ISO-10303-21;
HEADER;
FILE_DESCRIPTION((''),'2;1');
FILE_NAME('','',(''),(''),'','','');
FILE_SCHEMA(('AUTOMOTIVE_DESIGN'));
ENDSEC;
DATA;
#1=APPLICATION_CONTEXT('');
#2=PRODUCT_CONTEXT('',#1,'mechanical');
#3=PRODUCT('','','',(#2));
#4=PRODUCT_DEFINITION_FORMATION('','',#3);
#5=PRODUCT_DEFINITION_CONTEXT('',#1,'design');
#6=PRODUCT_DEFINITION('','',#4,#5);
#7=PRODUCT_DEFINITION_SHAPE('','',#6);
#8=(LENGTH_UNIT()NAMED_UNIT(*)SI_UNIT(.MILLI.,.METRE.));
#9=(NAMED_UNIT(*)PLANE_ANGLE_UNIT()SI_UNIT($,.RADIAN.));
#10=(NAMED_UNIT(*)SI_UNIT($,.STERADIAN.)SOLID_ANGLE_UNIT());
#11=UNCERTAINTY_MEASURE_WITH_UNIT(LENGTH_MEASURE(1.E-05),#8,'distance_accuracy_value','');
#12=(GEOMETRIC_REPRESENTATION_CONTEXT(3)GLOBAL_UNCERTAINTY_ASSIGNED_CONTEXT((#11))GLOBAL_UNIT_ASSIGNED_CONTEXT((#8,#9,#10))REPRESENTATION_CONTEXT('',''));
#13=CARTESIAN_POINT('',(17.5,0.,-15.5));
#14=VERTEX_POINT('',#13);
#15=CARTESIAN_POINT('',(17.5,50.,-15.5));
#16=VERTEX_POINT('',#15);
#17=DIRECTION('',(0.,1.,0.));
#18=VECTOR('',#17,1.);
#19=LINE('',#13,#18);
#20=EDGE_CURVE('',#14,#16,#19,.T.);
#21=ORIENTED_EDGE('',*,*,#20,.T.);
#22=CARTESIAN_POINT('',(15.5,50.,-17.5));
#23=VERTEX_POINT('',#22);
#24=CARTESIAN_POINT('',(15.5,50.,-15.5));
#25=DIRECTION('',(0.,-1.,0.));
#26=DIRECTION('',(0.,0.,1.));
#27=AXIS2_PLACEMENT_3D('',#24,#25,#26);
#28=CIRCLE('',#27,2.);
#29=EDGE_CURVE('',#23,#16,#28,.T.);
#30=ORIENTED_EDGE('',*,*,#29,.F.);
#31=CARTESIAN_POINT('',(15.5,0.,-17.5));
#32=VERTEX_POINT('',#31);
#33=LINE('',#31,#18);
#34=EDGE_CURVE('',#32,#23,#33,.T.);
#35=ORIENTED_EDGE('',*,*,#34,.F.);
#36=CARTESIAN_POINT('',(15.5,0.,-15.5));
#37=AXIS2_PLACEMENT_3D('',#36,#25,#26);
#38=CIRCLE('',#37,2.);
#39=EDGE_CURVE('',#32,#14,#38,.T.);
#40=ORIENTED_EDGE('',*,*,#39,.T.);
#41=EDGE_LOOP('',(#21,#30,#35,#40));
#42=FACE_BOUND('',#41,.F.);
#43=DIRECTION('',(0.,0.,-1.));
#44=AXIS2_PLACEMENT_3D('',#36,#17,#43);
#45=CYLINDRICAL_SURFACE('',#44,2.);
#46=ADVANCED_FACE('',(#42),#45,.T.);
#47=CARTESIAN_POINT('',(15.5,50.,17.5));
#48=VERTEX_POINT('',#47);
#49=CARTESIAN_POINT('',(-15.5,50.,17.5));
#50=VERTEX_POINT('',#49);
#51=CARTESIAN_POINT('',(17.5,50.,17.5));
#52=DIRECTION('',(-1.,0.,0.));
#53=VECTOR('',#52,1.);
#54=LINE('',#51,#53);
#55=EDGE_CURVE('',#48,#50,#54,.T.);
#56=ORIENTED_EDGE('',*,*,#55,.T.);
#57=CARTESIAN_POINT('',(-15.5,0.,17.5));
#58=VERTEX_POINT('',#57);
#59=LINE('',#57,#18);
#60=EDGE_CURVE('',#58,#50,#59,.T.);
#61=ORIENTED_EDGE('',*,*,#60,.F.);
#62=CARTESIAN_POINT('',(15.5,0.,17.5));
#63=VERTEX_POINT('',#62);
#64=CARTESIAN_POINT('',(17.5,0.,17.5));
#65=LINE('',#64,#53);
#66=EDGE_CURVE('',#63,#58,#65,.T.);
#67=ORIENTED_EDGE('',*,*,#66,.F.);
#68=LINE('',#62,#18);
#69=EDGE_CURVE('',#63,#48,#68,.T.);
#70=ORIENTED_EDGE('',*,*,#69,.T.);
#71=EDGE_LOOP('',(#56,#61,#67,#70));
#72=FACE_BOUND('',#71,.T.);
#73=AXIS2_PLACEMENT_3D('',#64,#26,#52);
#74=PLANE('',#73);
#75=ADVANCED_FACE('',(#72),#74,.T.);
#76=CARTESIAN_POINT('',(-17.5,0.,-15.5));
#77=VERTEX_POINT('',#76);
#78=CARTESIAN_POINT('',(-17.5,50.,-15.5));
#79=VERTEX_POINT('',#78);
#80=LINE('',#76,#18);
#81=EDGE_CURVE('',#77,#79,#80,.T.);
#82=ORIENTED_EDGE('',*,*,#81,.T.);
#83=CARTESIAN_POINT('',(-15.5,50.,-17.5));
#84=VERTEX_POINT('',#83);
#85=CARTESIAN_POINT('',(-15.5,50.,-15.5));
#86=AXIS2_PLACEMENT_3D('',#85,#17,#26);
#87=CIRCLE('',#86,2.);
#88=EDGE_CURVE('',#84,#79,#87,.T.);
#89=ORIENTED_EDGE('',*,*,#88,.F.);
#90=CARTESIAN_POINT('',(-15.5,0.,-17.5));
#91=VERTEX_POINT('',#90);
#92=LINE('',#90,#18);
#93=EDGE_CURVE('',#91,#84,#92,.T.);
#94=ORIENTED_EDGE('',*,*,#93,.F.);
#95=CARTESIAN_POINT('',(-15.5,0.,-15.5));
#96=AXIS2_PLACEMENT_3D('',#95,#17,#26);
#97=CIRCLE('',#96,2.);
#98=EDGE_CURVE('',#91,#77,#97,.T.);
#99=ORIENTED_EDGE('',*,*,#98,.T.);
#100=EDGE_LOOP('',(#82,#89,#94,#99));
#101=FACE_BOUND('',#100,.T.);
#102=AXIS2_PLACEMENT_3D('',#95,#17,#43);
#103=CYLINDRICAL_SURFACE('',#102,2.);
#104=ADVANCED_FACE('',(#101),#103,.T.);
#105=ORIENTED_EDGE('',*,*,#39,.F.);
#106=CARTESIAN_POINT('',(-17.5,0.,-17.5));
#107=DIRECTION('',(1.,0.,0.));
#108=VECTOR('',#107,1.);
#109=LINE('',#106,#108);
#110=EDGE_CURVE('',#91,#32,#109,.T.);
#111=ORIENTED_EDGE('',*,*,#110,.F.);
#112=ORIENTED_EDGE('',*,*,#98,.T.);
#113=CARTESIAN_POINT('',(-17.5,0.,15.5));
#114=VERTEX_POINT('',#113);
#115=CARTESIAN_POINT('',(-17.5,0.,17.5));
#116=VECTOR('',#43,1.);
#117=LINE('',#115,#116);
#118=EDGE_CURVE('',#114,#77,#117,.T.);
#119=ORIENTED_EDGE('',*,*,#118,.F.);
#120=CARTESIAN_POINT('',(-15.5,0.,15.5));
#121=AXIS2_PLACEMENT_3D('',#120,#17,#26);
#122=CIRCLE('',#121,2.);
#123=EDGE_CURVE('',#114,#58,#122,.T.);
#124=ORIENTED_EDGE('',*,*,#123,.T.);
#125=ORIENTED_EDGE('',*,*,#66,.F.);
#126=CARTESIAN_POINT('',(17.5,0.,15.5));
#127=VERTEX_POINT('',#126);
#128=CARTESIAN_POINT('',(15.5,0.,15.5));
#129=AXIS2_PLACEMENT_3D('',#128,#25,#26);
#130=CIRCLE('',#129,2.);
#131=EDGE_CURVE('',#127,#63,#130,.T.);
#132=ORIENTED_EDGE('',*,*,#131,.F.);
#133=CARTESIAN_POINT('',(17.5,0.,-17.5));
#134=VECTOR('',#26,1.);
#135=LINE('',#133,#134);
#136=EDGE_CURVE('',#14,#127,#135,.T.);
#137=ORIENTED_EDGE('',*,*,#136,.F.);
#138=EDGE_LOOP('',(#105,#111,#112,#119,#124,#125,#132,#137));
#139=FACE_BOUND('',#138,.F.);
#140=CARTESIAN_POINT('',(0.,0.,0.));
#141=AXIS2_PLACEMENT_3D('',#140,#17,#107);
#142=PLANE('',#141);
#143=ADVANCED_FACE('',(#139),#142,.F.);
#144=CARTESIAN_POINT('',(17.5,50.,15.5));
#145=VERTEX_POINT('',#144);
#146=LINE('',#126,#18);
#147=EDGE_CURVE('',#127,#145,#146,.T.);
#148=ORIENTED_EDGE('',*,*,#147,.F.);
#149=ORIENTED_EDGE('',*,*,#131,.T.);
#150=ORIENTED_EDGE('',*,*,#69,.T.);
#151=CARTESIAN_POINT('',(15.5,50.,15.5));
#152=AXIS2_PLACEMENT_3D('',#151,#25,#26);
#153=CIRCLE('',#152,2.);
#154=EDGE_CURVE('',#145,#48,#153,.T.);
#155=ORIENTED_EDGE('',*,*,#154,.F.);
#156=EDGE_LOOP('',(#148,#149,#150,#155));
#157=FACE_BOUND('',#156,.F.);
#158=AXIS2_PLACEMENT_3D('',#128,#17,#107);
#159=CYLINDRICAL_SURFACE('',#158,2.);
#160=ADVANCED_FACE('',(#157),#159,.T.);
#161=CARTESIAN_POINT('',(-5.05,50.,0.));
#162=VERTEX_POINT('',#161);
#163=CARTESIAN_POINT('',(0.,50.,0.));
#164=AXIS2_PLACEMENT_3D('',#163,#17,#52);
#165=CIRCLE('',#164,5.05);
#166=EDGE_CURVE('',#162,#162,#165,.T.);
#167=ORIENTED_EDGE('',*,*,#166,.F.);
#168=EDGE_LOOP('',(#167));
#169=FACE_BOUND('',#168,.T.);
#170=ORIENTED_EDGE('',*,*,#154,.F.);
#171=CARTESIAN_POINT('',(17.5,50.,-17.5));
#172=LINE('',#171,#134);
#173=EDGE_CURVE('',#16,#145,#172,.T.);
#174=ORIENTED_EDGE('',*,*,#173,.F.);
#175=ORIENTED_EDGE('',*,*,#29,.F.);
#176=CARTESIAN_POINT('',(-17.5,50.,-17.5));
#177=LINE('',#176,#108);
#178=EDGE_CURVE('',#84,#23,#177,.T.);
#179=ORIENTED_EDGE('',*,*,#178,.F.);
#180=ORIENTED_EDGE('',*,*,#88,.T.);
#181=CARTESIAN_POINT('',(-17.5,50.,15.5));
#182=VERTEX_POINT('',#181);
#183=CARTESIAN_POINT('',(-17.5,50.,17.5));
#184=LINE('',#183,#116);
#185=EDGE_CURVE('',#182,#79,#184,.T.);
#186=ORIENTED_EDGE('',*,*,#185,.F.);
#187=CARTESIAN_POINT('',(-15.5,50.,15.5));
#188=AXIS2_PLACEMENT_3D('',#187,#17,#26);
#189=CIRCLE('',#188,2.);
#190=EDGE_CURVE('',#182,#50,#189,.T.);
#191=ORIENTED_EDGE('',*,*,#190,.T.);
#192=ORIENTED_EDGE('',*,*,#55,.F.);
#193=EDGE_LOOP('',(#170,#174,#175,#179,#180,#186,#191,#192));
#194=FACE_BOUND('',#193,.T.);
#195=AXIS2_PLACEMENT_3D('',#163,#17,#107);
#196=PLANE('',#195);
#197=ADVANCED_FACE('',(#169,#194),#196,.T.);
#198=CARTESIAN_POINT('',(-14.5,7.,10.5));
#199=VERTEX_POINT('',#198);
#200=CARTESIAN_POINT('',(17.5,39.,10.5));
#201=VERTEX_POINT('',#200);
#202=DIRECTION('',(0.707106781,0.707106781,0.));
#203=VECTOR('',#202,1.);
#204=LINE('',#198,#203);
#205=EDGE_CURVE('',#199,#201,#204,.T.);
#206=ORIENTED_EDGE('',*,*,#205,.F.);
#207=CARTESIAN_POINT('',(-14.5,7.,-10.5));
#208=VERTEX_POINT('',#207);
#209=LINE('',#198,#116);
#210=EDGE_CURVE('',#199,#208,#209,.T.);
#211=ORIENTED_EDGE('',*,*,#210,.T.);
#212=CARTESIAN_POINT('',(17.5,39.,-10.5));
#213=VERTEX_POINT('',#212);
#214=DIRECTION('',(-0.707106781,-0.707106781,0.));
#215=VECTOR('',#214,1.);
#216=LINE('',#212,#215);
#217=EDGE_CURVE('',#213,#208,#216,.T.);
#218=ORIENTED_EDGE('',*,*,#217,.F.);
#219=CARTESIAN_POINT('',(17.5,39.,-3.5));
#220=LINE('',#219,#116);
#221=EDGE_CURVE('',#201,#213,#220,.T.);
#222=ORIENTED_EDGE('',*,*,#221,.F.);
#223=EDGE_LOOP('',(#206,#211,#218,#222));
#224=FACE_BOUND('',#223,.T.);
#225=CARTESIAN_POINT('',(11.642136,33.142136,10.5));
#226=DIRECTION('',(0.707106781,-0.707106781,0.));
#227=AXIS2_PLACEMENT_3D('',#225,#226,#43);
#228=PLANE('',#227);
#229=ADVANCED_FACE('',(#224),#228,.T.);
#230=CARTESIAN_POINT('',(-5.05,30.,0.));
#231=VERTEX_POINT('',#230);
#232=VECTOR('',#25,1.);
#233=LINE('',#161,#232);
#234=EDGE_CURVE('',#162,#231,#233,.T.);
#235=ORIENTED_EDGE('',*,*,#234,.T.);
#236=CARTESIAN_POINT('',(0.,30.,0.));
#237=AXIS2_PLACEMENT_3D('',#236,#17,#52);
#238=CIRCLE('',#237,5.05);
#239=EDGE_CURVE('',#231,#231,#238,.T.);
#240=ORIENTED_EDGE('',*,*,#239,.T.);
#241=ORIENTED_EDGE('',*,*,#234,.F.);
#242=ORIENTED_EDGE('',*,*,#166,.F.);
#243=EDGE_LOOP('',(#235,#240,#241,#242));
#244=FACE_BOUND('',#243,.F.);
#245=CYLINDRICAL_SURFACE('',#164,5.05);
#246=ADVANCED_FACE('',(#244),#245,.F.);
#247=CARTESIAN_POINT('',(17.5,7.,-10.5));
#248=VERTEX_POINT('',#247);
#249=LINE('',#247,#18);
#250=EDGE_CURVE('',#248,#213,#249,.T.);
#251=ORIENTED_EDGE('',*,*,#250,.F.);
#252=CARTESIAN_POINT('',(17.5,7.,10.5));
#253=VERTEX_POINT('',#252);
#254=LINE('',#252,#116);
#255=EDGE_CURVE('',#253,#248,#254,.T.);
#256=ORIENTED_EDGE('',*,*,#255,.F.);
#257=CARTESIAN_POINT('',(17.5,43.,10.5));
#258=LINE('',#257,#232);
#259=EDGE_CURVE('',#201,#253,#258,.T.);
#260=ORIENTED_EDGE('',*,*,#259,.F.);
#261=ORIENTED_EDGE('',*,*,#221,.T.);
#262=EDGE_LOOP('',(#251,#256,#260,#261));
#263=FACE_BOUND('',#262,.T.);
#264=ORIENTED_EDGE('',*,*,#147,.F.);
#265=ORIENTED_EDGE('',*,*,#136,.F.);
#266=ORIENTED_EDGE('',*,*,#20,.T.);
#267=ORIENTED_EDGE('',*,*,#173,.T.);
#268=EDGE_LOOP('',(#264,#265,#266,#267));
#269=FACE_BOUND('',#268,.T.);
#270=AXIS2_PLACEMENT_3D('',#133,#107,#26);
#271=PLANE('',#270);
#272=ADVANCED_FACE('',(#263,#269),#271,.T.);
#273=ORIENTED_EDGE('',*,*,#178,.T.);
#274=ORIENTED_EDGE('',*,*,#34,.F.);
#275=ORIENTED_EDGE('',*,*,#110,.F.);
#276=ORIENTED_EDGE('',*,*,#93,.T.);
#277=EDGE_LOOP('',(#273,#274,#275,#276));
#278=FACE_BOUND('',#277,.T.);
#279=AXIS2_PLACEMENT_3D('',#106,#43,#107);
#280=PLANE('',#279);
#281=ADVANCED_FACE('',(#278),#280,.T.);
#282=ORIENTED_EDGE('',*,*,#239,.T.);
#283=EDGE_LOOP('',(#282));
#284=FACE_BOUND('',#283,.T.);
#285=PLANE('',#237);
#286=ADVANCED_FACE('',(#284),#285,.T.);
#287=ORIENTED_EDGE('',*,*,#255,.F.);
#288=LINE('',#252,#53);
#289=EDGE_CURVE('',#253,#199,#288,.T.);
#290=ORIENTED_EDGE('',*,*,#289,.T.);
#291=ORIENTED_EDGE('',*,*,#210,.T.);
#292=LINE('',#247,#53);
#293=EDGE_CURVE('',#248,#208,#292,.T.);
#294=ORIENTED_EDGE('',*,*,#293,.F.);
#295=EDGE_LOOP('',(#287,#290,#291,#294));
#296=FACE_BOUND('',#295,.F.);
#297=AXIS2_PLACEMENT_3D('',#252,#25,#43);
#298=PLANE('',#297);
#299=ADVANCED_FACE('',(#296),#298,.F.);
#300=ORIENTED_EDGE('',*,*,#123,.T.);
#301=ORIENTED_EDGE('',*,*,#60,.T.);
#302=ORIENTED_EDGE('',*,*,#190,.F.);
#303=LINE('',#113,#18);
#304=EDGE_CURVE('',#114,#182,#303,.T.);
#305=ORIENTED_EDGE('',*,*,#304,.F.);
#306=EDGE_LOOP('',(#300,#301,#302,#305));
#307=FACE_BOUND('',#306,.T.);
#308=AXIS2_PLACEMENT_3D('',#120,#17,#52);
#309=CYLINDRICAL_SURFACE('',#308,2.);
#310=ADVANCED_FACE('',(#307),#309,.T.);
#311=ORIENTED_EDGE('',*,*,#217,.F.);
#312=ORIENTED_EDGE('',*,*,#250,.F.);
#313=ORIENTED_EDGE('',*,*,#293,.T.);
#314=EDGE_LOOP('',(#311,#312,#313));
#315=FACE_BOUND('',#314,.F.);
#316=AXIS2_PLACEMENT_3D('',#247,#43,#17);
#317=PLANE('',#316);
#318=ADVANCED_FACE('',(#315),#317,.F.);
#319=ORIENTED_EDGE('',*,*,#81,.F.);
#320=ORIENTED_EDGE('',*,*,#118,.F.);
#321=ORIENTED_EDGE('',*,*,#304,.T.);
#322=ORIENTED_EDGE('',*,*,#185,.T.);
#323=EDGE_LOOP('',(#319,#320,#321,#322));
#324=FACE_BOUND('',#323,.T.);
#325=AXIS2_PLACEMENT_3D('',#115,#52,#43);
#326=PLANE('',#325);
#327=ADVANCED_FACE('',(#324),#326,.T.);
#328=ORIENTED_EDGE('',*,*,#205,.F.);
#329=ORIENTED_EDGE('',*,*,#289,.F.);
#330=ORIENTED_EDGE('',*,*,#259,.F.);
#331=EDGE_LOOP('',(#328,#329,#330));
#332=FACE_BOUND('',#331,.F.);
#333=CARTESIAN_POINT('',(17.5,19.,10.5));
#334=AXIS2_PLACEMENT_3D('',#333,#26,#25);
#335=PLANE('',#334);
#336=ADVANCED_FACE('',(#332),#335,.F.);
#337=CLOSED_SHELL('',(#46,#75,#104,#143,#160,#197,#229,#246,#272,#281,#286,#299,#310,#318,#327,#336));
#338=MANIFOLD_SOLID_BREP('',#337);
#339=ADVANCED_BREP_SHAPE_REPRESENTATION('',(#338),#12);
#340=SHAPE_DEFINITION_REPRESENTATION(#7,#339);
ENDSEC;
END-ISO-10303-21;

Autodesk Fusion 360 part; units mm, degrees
sketch "Sketch1" plane through (0, 0, 0) normal (0, 1, 0) x (1, 0, 0)
  line L0 (-17.5, 17.5) -> (17.5, 17.5)
  line L1 (17.5, 17.5) -> (17.5, -17.5)
  line L2 (17.5, -17.5) -> (-17.5, -17.5)
  line L3 (-17.5, -17.5) -> (-17.5, 17.5)
  line L4 (-17.5, 17.5) -> (17.5, -17.5) construction
  line L5 (17.5, 17.5) -> (-17.5, -17.5) construction
  dimension "d1" = 35
  dimension "d2" = 35
extrude "Extrude1" add sketch "Sketch1" along normal blind 50 makes body 1
sketch "Sketch2" plane through (0, 50, 0) normal (0, 1, 0) x (-1, 0, 0)
  line L0 (17.5, 17.5) -> (-17.5, 17.5)
  line L1 (-17.5, 17.5) -> (-17.5, -17.5)
  line L2 (-17.5, -17.5) -> (17.5, -17.5)
  line L3 (17.5, -17.5) -> (17.5, 17.5)
  circle A0 centre (0, 0) radius 5.05
  dimension "d5" = 10.1
extrude "Extrude2" cut sketch "Sketch2" against normal blind 20 contours A0 bodies 1
sketch "Sketch3" plane through (17.5, 0, 0) normal (1, 0, 0) x (0, 0, -1)
  line L0 (-17.5, 0) -> (17.5, 0)
  line L1 (17.5, 0) -> (17.5, 50)
  line L2 (17.5, 50) -> (-17.5, 50)
  line L3 (-17.5, 50) -> (-17.5, 0)
  line L4 (-10.5, 7) -> (10.5, 7)
  line L5 (10.5, 7) -> (10.5, 43)
  line L6 (10.5, 43) -> (-10.5, 43)
  line L7 (-10.5, 43) -> (-10.5, 7)
  line L8 (-5.05, 30) -> (5.05, 30)
  line L9 (-10.5, 7) -> (-10.5, 19) construction
  line L10 (-10.5, 19) -> (10.5, 19)
  dimension "d8" = -7
  dimension "d10" = 12
extrude "Extrude3" cut sketch "Sketch3" against normal blind 20 contours L4 L5 L7 L10 bodies 1
draft "Draft1" angle 45 neutral plane through (-2.5, 0, 0) pull (1, 0, 0) 1 faces at (10.8333, 19, 3.5) on bodies 1
fillet "Fillet2" radius 2 4 edges at (-17.5, 25, 17.5) (17.5, 25, 17.5) (17.5, 25, -17.5) (-17.5, 25, -17.5) on bodies 1
delete_face "DeleteFace2" 1 faces at (-2.5, 15, -3.5) on bodies 1
copy_body "Body->Comp1" bodies 1 removing the originals makes body 2 in component "Desk Mount"
component "Desk Mount" placed x (1, 0, 0) y (0, 1, 0) z (0, 0, 1) at (0, 0, 0)
